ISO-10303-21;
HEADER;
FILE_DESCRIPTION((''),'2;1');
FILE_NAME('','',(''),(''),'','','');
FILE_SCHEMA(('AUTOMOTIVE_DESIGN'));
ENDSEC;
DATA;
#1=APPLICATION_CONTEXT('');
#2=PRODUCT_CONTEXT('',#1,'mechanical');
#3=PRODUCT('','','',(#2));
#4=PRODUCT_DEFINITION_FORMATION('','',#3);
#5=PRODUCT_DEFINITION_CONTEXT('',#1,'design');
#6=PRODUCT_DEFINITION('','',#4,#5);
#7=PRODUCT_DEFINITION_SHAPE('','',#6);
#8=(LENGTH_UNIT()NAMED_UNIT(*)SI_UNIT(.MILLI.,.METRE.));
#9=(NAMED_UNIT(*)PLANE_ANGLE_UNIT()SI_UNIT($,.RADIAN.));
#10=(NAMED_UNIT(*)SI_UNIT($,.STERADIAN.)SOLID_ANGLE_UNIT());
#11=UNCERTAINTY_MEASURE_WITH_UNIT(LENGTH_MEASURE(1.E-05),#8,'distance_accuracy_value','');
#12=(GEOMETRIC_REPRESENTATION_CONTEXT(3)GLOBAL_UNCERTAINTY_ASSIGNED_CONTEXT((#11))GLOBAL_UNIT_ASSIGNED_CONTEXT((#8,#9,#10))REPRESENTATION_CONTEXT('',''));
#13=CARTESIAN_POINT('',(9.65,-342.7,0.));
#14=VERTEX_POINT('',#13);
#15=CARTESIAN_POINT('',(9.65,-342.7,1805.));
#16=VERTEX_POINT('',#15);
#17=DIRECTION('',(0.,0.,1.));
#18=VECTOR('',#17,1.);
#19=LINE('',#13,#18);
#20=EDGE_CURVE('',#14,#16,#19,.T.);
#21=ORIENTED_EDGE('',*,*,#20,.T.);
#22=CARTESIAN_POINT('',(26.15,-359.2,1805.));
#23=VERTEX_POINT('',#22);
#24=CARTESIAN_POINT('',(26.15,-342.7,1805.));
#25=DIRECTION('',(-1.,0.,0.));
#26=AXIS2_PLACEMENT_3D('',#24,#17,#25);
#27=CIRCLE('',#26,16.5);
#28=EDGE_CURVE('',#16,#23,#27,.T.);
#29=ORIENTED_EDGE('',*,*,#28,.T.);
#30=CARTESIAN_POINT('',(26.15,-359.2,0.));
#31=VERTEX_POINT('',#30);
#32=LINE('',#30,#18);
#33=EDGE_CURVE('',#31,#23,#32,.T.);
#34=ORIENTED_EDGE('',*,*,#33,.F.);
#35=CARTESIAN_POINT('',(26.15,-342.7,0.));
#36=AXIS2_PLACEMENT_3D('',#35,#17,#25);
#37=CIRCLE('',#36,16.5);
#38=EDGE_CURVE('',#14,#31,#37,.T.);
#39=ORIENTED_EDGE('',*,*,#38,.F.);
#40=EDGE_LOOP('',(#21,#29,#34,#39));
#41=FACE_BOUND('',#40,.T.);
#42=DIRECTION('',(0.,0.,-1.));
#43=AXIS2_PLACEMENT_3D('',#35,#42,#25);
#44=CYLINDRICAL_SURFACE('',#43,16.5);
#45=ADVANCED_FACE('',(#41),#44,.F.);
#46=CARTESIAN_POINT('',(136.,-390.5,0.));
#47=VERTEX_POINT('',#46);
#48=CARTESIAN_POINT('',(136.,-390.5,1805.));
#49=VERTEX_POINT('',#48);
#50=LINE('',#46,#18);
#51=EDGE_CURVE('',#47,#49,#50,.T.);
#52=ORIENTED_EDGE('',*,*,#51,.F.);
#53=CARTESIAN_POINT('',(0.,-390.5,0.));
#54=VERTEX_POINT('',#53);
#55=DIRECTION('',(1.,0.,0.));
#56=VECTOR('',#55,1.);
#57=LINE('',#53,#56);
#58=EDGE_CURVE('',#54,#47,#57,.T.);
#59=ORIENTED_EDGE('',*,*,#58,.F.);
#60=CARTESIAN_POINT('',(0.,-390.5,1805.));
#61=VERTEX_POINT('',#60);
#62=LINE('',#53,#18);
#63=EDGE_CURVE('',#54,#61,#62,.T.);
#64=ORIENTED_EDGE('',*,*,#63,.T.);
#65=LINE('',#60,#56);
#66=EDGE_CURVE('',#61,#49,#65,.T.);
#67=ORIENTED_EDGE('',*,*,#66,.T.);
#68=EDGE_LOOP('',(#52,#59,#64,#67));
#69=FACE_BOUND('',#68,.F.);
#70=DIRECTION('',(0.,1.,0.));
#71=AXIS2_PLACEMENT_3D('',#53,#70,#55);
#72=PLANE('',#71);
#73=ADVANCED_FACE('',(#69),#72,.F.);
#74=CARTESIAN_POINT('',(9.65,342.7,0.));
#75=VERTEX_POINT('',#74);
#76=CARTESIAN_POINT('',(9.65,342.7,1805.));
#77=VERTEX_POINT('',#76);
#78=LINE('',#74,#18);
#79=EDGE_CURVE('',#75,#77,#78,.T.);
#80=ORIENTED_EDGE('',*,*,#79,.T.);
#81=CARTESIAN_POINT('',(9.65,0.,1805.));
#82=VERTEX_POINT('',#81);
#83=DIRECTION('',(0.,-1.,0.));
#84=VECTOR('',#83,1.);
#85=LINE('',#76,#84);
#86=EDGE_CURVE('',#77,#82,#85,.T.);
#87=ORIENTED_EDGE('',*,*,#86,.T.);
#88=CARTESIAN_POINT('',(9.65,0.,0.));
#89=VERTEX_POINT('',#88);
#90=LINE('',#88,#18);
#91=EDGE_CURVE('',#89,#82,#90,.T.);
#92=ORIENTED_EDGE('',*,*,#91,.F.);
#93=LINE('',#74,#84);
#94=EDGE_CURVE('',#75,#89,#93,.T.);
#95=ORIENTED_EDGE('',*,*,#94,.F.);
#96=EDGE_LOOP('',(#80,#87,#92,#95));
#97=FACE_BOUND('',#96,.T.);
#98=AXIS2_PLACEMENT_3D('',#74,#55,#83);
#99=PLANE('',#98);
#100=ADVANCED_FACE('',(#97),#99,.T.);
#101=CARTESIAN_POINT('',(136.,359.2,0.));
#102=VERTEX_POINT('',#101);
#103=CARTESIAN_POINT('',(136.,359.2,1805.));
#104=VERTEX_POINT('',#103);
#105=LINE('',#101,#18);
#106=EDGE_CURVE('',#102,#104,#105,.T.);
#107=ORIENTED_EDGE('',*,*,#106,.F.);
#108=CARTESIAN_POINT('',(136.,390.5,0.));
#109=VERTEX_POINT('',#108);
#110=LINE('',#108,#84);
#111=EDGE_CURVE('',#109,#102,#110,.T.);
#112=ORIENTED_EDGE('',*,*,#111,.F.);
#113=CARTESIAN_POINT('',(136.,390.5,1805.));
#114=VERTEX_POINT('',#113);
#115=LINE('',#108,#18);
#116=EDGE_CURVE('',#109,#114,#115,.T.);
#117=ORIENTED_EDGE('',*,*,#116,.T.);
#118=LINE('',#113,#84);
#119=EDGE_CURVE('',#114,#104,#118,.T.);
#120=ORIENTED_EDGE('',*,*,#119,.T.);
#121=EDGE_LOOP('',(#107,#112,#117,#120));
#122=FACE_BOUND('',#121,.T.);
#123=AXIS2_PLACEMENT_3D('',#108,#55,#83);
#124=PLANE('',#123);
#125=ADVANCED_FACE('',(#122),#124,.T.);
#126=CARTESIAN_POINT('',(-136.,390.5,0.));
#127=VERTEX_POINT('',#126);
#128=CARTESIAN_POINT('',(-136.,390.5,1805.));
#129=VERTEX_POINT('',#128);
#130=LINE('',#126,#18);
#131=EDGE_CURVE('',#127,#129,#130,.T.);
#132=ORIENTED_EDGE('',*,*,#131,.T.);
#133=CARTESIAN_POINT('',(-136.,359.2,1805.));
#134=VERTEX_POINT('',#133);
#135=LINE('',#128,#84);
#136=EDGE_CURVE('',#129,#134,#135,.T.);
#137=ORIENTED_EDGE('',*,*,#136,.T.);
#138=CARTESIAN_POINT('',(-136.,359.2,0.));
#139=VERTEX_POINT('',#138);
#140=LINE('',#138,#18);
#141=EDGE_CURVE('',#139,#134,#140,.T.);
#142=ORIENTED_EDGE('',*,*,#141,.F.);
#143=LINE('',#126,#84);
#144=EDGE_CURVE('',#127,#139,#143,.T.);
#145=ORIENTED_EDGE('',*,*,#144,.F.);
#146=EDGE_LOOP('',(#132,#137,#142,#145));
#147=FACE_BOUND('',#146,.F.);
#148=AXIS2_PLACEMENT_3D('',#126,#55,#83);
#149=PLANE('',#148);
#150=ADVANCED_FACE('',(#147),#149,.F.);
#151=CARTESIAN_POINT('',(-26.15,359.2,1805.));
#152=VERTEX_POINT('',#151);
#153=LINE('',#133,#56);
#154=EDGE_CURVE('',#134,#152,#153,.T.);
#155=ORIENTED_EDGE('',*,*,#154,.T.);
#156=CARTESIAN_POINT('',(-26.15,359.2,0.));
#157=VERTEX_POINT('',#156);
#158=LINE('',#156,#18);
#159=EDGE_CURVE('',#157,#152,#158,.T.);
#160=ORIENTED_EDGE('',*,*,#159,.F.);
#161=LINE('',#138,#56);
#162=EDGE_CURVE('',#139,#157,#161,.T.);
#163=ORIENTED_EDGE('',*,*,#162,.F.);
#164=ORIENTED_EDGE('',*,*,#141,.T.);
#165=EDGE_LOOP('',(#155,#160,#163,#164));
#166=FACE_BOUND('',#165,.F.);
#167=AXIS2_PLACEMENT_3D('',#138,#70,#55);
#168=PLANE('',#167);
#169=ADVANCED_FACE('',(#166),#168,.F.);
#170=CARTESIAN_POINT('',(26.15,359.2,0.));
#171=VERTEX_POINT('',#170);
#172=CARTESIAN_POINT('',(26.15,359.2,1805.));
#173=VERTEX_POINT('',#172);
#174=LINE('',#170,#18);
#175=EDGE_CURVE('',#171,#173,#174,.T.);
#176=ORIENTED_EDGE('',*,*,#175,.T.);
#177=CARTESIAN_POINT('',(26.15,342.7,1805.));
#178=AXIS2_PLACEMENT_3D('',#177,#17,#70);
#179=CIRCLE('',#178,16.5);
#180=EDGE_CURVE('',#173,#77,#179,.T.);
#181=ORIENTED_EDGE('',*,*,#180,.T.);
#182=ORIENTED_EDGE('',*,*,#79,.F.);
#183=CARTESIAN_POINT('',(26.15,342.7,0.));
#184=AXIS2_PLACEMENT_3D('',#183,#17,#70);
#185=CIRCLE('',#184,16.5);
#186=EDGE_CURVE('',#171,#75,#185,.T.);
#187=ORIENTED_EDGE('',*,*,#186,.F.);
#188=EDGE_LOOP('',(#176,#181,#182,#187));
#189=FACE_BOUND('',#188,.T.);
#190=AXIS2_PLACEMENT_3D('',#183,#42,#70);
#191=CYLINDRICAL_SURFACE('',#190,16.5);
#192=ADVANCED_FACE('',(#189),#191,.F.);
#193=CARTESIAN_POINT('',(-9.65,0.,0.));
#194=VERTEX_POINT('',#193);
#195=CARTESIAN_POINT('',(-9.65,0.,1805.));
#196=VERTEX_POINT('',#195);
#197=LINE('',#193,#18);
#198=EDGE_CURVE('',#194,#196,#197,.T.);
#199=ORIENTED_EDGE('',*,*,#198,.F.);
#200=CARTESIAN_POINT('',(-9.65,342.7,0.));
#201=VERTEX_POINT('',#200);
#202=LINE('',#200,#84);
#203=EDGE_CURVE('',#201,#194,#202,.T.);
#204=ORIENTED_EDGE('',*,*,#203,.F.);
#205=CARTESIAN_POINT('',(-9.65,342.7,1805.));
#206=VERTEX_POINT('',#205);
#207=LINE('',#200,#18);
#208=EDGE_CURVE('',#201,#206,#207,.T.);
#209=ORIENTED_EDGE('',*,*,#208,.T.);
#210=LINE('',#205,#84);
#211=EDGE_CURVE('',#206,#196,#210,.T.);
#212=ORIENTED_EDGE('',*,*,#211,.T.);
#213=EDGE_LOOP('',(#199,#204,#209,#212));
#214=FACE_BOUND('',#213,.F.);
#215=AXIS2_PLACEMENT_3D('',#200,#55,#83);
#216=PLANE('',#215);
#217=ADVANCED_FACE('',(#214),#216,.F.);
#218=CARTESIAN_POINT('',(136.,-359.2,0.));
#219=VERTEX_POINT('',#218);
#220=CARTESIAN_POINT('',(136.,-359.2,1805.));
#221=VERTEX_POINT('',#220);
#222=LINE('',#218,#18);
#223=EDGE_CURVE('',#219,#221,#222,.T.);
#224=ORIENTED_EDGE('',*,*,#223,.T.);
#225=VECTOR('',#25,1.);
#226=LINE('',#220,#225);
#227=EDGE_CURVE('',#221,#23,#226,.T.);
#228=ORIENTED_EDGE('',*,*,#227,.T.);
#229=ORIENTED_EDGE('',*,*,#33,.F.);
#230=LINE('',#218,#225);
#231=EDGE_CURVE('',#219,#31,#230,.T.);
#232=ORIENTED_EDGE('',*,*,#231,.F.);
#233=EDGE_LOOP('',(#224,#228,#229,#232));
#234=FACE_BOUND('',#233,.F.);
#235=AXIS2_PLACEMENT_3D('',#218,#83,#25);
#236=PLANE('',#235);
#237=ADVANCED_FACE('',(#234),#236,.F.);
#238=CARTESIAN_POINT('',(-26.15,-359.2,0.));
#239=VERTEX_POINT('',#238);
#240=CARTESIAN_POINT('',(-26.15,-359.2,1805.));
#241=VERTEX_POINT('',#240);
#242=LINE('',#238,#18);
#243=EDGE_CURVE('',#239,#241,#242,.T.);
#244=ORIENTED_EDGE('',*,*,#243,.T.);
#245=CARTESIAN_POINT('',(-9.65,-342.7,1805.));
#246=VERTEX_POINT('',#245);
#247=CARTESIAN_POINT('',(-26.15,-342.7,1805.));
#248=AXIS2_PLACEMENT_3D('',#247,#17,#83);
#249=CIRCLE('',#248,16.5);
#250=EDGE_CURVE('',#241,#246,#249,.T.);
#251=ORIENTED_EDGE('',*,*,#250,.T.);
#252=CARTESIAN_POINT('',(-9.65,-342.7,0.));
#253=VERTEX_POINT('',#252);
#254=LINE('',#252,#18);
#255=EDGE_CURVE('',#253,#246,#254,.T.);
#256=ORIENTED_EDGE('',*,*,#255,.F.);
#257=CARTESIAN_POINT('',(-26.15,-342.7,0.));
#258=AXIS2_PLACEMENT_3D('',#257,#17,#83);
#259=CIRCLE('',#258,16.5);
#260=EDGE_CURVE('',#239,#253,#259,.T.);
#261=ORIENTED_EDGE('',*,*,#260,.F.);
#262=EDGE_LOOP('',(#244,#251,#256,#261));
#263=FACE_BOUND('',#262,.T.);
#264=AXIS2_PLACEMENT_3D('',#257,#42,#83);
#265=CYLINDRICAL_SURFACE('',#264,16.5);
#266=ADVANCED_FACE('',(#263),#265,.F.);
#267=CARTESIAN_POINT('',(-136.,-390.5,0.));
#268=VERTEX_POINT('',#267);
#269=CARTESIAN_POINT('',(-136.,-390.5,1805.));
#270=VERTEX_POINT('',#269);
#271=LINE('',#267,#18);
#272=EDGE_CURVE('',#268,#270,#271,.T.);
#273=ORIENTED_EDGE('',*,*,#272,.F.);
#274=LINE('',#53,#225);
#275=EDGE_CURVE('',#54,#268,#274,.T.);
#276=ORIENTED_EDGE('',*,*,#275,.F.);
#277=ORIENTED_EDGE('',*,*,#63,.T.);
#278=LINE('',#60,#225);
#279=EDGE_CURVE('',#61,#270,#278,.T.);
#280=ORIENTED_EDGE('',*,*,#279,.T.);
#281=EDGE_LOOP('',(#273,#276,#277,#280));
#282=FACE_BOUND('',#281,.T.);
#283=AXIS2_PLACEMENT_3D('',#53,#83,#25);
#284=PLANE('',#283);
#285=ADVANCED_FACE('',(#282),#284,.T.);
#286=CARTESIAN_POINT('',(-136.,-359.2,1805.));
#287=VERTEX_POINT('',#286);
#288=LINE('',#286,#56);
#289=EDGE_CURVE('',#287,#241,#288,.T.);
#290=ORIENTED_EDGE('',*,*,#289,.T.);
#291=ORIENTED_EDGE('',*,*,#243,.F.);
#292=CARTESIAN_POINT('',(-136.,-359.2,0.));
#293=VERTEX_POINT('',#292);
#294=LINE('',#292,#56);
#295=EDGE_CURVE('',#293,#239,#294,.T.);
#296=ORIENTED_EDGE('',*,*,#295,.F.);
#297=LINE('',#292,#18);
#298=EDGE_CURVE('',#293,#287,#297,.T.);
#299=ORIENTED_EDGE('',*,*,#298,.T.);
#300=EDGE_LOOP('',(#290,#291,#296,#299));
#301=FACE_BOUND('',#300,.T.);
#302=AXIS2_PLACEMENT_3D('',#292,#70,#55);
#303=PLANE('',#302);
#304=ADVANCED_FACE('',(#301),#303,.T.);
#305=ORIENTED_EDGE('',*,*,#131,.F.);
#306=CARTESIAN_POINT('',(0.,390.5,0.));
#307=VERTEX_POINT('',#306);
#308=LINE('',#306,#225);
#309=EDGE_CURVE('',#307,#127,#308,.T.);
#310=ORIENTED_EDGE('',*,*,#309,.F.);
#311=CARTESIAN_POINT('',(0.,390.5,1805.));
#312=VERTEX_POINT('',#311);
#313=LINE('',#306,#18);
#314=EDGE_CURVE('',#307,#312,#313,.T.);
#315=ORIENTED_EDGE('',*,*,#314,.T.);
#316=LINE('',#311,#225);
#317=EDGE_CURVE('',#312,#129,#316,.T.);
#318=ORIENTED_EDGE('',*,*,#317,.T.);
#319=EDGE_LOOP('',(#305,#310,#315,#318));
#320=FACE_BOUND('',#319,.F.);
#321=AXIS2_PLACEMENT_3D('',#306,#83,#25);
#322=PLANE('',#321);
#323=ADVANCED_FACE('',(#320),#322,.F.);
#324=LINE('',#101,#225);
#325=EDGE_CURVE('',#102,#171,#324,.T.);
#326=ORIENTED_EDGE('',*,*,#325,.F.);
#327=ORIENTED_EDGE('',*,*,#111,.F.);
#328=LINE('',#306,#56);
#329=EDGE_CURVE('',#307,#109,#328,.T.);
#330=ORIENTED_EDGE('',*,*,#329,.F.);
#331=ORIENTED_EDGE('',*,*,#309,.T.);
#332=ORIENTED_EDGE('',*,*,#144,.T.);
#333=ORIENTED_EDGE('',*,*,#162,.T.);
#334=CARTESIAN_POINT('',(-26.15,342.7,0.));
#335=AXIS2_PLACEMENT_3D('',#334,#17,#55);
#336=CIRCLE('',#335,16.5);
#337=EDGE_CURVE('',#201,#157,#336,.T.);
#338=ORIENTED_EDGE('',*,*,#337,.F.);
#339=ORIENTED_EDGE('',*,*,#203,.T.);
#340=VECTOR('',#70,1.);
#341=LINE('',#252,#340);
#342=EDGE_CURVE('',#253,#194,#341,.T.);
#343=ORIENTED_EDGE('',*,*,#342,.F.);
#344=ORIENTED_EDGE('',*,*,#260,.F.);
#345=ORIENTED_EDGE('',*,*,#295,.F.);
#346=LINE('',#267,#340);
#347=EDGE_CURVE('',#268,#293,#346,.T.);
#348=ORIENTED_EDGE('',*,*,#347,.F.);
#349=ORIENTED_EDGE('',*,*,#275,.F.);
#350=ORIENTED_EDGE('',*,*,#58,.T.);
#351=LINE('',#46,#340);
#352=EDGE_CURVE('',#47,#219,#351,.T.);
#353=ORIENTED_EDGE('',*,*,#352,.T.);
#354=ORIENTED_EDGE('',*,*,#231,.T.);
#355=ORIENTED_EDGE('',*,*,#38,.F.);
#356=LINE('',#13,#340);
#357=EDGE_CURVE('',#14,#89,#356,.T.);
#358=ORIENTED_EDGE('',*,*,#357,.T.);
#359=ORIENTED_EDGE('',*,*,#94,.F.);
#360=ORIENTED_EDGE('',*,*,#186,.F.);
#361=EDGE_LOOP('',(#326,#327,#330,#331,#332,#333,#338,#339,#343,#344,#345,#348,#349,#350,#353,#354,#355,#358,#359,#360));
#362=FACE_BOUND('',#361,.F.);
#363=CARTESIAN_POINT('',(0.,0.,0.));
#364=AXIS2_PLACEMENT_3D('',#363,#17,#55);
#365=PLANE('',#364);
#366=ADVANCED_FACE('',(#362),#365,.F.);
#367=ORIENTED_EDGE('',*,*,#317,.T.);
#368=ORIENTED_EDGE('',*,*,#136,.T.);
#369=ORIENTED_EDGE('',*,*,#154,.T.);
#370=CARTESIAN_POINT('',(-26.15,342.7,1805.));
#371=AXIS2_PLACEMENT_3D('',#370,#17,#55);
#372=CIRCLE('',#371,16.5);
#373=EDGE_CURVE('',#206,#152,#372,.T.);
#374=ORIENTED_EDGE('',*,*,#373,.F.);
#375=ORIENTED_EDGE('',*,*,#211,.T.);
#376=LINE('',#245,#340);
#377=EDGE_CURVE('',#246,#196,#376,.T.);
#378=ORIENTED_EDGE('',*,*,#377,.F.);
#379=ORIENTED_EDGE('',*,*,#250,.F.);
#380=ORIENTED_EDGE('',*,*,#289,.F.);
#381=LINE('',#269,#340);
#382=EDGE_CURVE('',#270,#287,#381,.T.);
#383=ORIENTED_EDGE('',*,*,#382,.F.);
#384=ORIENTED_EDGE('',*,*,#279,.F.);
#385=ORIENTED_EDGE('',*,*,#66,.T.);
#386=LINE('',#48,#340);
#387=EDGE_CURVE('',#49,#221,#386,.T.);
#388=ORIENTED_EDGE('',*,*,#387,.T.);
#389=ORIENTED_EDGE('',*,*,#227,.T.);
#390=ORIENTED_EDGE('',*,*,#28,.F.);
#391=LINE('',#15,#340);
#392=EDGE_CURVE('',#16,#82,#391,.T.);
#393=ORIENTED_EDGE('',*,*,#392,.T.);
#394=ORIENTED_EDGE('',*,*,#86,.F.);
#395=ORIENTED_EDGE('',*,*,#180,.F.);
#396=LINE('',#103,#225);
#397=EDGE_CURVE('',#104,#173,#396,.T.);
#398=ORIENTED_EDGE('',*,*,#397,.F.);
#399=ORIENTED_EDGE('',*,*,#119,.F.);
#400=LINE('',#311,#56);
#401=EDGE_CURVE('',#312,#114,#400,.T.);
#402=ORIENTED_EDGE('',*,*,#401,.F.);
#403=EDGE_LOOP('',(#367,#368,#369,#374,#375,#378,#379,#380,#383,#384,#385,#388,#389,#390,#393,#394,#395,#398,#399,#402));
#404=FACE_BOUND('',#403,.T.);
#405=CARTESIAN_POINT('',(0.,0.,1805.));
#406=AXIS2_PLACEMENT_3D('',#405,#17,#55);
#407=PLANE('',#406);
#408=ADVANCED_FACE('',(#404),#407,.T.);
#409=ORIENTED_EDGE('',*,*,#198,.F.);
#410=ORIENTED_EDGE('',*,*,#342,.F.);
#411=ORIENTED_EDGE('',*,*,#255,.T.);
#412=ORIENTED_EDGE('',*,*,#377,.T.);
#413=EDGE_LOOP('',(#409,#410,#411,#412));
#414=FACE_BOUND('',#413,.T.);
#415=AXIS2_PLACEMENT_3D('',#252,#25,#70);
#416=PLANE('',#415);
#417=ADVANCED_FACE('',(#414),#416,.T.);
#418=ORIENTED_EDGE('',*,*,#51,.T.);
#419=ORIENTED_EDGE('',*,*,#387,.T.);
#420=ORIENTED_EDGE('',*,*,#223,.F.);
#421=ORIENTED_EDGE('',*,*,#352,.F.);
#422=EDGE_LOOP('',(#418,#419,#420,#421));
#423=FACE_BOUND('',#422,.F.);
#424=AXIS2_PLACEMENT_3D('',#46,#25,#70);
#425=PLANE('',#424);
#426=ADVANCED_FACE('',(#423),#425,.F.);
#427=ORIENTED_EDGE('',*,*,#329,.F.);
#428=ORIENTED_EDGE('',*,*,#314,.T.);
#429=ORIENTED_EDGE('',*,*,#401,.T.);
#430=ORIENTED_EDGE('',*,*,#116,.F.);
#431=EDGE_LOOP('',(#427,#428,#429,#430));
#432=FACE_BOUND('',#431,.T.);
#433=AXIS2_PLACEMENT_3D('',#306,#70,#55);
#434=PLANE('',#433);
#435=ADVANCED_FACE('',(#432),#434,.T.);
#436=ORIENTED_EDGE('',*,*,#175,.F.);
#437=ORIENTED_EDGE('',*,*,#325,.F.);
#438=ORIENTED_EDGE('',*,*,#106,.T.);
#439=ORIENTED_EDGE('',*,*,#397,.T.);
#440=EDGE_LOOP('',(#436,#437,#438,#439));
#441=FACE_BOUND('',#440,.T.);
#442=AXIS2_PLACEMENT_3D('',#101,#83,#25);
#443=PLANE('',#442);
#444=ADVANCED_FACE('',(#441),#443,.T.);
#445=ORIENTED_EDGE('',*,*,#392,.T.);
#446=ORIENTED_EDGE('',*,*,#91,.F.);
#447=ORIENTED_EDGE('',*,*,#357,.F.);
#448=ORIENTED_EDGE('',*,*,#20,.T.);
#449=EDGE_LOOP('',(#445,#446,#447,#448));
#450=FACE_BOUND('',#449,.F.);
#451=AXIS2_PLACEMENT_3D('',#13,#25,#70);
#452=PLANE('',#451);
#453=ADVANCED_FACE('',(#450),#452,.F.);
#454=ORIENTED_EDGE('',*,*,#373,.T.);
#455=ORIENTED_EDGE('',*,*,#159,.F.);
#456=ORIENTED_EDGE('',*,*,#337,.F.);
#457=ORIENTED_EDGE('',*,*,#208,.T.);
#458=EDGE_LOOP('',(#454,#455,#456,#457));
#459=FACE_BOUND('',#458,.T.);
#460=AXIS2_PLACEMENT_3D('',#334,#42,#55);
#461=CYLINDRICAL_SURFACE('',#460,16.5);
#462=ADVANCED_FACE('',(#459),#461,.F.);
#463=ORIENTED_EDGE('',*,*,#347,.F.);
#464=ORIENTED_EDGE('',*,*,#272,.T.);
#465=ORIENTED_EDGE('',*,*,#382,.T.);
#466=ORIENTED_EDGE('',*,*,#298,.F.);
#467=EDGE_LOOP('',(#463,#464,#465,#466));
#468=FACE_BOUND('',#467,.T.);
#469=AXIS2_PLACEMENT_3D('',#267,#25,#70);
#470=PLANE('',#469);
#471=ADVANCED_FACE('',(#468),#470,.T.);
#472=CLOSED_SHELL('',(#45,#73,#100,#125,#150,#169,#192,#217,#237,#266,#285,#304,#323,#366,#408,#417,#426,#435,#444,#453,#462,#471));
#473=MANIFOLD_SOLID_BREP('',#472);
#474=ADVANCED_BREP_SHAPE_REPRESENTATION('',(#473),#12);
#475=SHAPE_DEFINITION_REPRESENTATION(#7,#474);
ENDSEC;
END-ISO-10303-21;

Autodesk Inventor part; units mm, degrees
ref_plane "YZ Plane" through (0, 0, 0) normal (1, 0, 0) x (0, 1, 0)
ref_plane "Start plane" through (0, 0, 0) normal (0, 0, 1) x (1, 0, 0)
ref_plane "End plane" through (0, 0, 1805) normal (0, 0, 1) x (1, 0, 0)
sketch "Sketch" plane through (0, 0, 0) normal (0, 0, 1) x (1, 0, 0)
  line L0 (-136, -390.5) -> (-136, -359.2)
  line L1 (-136, -359.2) -> (-26.15, -359.2)
  line L2 (-9.65, -342.7) -> (-9.65, 0)
  line L3 (-9.65, 0) -> (0, 0) construction
  line L4 (0, 0) -> (0, -390.5) construction
  line L5 (0, -390.5) -> (-136, -390.5)
  line L6 (-60, 0) -> (80, 0) construction
  line L7 (0, -60) -> (0, 80) construction
  line L8 (136, -390.5) -> (136, -359.2)
  line L9 (136, -359.2) -> (26.15, -359.2)
  line L10 (9.65, -342.7) -> (9.65, 0)
  line L11 (9.65, 0) -> (0, 0) construction
  line L12 (0, -390.5) -> (136, -390.5)
  line L13 (-136, 390.5) -> (-136, 359.2)
  line L14 (-136, 359.2) -> (-26.15, 359.2)
  line L15 (-9.65, 342.7) -> (-9.65, 0)
  line L16 (0, 390.5) -> (-136, 390.5)
  line L17 (136, 390.5) -> (136, 359.2)
  line L18 (136, 359.2) -> (26.15, 359.2)
  line L19 (0, 390.5) -> (136, 390.5)
  line L20 (9.65, 342.7) -> (9.65, 0)
  arc A0 (-9.65, 342.7) -> (-26.15, 359.2) centre (-26.15, 342.7) ccw
  arc A1 (26.15, 359.2) -> (9.65, 342.7) centre (26.15, 342.7) ccw
  arc A2 (9.65, -342.7) -> (26.15, -359.2) centre (26.15, -342.7) ccw
  arc A3 (-26.15, -359.2) -> (-9.65, -342.7) centre (-26.15, -342.7) ccw
  line L21 (0, 108) -> (0, -88) construction
  line L22 (-88, 0) -> (108, 0) construction
  point P0 (-9.65, -359.2)
  point P1 (9.65, -359.2)
  point P2 (-9.65, 359.2)
  point P3 (9.65, 359.2)
  dimension "d1" = 390.5
  dimension "d2" = 31.3
  dimension "d3" = 136
  dimension "d4" = 9.65
  dimension "d10" = 16.5
extrude "Body" add sketch "Sketch" along normal up to surface (1805 mm away) from surface at 0
sketch "Sketch4" plane through (0, 0, 0) normal (0, 0, 1) x (1, 0, 0)
  line L0 (0, 0) -> (10, 0)
ref_plane "Work Plane3" through (0, 0, 0) normal (0, -1, 0) x (1, 0, 0)
sketch "Sketch5" plane through (0, 0, 0) normal (0, -1, 0) x (1, 0, 0)
  line L0 (-2, 0) -> (12, 0) projected
  line L1 (-2, 1805) -> (12, 1805) projected
  dimension "d14" = 1805
equation "\"d1\" = 0.5 * G_H"
equation "\"d2\" = G_T1"
equation "\"d3\" = 0.5 * G_W"
equation "\"d4\" = 0.5 * G_T"
equation "\"d10\" = G_IR"
equation "\"d5\" = G_L"
equation "\"G_W\" = 272"
equation "\"G_H\" = 781"
equation "\"G_T\" = 19.3"
equation "\"G_T1\" = 31.3"
equation "\"G_IR\" = 16.5"
equation "\"G_L\" = d14"
equation "\"G_OFFSET_START\" = 0"
equation "\"G_OFFSET_END\" = 0"
equation "\"d12\" = G_OFFSET_END + B_L"
equation "\"B_L\" = 1805"
properties part number "AS 3679-1990 - 760 UB - 244 - 1805" material "Steel, Mild"
